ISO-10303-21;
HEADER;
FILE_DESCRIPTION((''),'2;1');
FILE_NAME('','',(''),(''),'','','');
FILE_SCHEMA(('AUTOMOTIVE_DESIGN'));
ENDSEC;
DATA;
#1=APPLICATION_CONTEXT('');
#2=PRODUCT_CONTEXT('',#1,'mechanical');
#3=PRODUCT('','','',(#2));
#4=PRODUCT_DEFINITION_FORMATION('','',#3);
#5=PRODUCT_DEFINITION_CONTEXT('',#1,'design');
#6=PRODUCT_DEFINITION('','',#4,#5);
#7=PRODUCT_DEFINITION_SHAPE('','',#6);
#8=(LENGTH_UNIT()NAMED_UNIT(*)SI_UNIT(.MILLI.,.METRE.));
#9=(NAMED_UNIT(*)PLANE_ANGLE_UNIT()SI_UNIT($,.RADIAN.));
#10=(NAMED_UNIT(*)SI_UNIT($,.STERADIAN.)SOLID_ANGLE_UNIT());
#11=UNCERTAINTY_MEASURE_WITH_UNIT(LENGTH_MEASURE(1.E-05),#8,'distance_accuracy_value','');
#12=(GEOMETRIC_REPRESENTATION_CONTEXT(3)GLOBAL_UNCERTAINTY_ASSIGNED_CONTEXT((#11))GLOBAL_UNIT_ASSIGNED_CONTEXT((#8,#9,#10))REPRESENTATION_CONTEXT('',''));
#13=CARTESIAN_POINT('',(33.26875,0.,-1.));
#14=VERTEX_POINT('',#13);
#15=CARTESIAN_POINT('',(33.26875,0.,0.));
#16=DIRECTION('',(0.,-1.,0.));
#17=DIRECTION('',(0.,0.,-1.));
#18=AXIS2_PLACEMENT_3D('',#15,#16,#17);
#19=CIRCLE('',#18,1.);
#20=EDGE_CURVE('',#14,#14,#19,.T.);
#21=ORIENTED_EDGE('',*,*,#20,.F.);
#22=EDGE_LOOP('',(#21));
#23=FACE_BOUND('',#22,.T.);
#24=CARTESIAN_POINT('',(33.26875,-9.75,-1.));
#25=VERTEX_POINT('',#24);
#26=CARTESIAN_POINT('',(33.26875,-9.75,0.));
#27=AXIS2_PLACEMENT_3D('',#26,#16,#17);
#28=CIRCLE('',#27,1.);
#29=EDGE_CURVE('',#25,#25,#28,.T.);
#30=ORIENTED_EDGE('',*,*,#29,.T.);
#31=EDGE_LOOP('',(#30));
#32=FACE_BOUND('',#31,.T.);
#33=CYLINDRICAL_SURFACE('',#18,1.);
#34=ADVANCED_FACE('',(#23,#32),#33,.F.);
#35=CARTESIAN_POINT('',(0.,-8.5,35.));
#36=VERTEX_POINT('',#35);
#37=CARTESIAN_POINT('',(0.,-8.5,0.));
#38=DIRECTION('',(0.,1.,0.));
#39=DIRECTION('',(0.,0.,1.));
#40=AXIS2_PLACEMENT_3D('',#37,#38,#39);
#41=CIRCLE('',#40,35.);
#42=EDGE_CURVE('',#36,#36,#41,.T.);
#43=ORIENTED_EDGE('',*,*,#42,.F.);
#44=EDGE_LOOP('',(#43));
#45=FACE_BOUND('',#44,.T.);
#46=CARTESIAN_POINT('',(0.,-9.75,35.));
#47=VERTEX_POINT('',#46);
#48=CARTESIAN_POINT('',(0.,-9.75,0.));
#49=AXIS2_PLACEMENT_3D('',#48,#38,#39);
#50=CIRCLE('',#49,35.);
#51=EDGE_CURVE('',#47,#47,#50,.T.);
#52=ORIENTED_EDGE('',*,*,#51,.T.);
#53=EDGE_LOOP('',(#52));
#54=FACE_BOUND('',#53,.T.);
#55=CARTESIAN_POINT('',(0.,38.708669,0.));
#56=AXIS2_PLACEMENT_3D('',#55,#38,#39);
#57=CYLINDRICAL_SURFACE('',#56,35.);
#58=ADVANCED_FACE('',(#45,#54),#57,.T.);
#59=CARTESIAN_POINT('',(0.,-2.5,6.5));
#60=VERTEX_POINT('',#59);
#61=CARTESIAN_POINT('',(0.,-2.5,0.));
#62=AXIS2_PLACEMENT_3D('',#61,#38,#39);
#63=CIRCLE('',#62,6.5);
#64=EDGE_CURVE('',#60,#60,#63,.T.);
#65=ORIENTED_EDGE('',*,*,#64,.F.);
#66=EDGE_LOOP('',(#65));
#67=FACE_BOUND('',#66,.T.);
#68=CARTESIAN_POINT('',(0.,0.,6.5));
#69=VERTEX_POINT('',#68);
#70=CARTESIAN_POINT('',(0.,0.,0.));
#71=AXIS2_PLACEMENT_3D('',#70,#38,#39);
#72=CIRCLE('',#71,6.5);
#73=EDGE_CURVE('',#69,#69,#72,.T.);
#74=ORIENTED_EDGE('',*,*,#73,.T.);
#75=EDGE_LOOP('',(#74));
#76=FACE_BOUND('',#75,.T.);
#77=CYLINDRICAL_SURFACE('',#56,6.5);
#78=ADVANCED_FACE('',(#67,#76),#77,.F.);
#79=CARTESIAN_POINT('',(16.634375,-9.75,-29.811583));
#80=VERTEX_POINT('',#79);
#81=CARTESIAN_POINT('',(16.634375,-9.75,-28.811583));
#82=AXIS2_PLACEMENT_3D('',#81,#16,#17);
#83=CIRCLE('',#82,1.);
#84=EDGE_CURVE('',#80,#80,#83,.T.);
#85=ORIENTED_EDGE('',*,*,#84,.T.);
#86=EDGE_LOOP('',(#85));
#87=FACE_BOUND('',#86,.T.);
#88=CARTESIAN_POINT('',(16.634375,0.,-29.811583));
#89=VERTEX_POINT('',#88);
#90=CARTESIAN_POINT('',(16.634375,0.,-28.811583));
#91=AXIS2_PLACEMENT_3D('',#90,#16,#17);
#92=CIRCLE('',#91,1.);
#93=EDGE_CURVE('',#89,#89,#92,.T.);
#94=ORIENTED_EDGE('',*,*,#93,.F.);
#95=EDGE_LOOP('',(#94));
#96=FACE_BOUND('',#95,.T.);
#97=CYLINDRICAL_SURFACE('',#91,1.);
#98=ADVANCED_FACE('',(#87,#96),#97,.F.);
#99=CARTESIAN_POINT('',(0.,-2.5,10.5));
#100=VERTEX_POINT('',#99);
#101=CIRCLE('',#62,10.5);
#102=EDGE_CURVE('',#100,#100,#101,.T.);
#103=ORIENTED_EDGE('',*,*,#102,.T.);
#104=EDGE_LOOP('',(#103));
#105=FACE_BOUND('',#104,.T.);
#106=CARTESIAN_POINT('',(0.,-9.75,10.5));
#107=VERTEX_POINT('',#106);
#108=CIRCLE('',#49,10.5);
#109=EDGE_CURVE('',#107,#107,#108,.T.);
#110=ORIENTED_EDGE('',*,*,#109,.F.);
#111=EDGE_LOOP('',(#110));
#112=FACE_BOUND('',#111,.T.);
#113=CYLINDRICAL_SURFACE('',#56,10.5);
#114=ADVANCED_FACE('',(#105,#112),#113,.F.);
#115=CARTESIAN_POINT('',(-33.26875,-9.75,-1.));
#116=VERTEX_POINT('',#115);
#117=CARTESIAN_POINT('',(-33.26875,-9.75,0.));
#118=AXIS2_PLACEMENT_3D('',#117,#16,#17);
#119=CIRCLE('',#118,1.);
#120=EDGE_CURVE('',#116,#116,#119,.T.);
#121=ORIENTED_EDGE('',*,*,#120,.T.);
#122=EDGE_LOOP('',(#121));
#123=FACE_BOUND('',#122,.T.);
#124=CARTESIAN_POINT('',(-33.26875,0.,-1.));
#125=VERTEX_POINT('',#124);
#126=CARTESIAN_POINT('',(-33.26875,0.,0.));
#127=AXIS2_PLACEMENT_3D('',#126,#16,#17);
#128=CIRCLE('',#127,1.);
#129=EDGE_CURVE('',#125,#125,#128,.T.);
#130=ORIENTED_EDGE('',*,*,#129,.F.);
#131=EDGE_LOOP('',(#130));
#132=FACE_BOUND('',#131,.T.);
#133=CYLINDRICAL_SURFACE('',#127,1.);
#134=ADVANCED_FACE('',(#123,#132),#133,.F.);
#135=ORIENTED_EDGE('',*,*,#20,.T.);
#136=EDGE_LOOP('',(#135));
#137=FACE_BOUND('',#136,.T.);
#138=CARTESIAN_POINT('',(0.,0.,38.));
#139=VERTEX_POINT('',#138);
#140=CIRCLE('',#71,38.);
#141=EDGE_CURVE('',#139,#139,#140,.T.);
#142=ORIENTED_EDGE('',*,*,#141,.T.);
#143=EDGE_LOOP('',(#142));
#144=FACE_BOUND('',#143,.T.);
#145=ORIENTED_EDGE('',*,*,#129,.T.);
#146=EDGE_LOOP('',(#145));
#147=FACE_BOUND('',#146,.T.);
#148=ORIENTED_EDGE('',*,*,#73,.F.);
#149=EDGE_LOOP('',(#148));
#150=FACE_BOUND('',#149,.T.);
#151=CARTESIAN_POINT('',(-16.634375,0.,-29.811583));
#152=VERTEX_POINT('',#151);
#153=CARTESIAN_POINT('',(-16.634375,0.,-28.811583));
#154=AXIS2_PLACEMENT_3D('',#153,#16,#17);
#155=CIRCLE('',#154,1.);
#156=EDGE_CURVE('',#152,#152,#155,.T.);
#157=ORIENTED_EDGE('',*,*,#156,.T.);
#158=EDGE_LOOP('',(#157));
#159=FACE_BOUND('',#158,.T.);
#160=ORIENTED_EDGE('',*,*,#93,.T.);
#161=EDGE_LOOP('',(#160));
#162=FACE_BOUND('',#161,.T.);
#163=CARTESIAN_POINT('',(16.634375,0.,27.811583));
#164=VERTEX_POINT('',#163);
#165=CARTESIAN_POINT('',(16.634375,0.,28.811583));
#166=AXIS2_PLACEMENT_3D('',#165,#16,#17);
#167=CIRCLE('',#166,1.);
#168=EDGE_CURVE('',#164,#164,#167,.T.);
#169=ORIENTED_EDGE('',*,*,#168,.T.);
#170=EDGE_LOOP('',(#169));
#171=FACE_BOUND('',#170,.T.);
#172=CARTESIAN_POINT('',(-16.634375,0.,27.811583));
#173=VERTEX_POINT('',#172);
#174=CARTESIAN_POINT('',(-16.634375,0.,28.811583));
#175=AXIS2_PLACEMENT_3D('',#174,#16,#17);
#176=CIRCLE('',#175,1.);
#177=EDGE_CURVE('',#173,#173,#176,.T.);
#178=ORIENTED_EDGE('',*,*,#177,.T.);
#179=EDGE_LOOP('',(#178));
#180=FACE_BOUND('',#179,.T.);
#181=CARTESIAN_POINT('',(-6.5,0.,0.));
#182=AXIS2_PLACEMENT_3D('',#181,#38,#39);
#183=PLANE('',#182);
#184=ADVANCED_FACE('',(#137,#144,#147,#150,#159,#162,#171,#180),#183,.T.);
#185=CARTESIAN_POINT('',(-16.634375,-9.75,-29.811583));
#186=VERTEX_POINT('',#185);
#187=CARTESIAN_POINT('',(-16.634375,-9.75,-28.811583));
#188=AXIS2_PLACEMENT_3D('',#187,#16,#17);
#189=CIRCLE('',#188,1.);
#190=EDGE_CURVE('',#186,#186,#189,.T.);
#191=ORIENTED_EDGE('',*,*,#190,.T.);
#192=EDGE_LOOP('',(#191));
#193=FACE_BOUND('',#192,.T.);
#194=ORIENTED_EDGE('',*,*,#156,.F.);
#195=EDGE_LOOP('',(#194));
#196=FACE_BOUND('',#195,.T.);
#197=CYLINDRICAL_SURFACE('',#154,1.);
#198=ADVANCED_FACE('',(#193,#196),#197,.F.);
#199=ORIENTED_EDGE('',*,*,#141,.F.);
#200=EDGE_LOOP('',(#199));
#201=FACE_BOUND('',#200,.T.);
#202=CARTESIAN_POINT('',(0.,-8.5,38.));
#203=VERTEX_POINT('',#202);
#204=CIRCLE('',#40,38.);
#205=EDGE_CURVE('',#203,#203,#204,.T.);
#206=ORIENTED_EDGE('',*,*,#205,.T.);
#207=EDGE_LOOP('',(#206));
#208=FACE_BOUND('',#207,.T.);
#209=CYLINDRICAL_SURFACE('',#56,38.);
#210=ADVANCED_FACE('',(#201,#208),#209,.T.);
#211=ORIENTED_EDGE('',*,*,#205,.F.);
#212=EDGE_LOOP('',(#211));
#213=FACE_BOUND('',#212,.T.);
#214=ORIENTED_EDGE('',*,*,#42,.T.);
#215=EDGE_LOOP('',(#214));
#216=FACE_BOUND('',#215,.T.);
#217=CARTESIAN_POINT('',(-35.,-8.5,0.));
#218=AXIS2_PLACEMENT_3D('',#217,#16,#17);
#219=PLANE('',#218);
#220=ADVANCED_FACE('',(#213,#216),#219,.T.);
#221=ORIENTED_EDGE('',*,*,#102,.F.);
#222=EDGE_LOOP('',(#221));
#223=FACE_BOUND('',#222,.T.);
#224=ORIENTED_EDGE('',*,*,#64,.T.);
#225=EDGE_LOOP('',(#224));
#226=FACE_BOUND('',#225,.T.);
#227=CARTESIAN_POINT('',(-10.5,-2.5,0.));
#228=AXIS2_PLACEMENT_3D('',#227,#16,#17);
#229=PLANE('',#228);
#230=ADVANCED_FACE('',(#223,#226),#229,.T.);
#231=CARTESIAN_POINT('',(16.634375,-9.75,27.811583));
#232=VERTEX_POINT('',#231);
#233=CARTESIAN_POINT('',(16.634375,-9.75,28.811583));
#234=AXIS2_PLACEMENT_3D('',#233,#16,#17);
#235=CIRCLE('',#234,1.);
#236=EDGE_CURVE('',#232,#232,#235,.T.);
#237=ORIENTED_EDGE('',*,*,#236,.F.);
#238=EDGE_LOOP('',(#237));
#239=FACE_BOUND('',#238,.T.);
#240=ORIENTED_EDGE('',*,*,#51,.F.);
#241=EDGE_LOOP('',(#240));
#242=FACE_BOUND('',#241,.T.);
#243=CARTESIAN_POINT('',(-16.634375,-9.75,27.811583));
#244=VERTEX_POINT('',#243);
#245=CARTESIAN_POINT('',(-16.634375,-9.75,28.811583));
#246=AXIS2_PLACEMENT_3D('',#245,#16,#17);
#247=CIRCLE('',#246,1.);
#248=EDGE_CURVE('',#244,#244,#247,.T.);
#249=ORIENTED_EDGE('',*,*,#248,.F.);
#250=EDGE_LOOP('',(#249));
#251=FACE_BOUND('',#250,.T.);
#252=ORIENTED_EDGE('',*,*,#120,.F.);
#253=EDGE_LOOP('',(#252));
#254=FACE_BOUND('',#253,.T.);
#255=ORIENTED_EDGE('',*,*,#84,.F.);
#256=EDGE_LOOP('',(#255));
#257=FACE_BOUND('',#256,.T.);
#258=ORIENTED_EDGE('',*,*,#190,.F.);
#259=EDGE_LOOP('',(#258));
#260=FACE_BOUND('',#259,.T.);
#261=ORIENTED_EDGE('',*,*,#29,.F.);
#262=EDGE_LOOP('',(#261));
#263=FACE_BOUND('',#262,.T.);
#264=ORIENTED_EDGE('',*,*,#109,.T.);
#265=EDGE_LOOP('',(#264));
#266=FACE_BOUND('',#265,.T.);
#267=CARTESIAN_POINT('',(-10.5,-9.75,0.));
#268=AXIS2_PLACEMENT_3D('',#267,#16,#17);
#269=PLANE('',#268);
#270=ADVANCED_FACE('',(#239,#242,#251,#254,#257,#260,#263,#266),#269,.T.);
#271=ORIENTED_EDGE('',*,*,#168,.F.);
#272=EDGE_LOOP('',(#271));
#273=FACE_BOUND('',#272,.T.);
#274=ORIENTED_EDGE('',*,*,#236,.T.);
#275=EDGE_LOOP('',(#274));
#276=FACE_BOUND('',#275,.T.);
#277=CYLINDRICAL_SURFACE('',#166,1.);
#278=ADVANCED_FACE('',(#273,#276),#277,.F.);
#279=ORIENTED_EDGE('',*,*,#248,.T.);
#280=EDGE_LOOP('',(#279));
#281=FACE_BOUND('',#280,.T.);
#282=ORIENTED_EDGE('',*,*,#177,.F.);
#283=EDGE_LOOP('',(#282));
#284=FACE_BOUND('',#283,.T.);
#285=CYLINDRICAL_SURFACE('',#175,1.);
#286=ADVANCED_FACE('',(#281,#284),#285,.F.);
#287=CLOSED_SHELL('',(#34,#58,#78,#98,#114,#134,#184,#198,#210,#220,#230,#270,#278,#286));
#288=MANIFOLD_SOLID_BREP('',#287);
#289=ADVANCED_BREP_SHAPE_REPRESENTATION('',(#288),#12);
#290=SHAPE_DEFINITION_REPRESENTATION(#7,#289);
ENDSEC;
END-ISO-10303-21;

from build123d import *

# Parameters (mm, degrees)
SKETCH2_R          = 1
CUT_EXTRUDE1_DEPTH = 55.617419382


with BuildPart() as part:
    # Sketch1 → Revolve1 (revolve)
    with BuildSketch(Plane.XY, mode=Mode.PRIVATE) as revolve1_sk:
        Polygon((-6.5, 0), (-38, 0), (-38, -8.5), (-35, -8.5), (-35, -9.75), (-10.5, -9.75), (-10.5, -2.5), (-6.5, -2.5), align=None)
    revolve(revolve1_sk.sketch.rotate(Axis((0, 38.708668819, 0), (0, -1, 0)), 270), axis=Axis((0, 38.708668819, 0), (0, -1, 0)))

    # Sketch2 → Cut-Extrude1 (cut, through all)
    with BuildSketch(Plane.XZ.offset(9.75)):
        with Locations(Location((-33.26875, 0, 0), (0, 0, 270))):
            Circle(SKETCH2_R)
        with Locations(Location((-16.634375, 28.811582652, 0), (0, 0, 270))):
            Circle(SKETCH2_R)
        with Locations(Location((16.634375, 28.811582652, 0), (0, 0, 270))):
            Circle(SKETCH2_R)
        with Locations(Location((33.26875, 0, 0), (0, 0, 270))):
            Circle(SKETCH2_R)
        with Locations(Location((16.634375, -28.811582652, 0), (0, 0, 270))):
            Circle(SKETCH2_R)
        with Locations(Location((-16.634375, -28.811582652, 0), (0, 0, 270))):
            Circle(SKETCH2_R)
    extrude(amount=-CUT_EXTRUDE1_DEPTH, mode=Mode.SUBTRACT)


solid = part.part
